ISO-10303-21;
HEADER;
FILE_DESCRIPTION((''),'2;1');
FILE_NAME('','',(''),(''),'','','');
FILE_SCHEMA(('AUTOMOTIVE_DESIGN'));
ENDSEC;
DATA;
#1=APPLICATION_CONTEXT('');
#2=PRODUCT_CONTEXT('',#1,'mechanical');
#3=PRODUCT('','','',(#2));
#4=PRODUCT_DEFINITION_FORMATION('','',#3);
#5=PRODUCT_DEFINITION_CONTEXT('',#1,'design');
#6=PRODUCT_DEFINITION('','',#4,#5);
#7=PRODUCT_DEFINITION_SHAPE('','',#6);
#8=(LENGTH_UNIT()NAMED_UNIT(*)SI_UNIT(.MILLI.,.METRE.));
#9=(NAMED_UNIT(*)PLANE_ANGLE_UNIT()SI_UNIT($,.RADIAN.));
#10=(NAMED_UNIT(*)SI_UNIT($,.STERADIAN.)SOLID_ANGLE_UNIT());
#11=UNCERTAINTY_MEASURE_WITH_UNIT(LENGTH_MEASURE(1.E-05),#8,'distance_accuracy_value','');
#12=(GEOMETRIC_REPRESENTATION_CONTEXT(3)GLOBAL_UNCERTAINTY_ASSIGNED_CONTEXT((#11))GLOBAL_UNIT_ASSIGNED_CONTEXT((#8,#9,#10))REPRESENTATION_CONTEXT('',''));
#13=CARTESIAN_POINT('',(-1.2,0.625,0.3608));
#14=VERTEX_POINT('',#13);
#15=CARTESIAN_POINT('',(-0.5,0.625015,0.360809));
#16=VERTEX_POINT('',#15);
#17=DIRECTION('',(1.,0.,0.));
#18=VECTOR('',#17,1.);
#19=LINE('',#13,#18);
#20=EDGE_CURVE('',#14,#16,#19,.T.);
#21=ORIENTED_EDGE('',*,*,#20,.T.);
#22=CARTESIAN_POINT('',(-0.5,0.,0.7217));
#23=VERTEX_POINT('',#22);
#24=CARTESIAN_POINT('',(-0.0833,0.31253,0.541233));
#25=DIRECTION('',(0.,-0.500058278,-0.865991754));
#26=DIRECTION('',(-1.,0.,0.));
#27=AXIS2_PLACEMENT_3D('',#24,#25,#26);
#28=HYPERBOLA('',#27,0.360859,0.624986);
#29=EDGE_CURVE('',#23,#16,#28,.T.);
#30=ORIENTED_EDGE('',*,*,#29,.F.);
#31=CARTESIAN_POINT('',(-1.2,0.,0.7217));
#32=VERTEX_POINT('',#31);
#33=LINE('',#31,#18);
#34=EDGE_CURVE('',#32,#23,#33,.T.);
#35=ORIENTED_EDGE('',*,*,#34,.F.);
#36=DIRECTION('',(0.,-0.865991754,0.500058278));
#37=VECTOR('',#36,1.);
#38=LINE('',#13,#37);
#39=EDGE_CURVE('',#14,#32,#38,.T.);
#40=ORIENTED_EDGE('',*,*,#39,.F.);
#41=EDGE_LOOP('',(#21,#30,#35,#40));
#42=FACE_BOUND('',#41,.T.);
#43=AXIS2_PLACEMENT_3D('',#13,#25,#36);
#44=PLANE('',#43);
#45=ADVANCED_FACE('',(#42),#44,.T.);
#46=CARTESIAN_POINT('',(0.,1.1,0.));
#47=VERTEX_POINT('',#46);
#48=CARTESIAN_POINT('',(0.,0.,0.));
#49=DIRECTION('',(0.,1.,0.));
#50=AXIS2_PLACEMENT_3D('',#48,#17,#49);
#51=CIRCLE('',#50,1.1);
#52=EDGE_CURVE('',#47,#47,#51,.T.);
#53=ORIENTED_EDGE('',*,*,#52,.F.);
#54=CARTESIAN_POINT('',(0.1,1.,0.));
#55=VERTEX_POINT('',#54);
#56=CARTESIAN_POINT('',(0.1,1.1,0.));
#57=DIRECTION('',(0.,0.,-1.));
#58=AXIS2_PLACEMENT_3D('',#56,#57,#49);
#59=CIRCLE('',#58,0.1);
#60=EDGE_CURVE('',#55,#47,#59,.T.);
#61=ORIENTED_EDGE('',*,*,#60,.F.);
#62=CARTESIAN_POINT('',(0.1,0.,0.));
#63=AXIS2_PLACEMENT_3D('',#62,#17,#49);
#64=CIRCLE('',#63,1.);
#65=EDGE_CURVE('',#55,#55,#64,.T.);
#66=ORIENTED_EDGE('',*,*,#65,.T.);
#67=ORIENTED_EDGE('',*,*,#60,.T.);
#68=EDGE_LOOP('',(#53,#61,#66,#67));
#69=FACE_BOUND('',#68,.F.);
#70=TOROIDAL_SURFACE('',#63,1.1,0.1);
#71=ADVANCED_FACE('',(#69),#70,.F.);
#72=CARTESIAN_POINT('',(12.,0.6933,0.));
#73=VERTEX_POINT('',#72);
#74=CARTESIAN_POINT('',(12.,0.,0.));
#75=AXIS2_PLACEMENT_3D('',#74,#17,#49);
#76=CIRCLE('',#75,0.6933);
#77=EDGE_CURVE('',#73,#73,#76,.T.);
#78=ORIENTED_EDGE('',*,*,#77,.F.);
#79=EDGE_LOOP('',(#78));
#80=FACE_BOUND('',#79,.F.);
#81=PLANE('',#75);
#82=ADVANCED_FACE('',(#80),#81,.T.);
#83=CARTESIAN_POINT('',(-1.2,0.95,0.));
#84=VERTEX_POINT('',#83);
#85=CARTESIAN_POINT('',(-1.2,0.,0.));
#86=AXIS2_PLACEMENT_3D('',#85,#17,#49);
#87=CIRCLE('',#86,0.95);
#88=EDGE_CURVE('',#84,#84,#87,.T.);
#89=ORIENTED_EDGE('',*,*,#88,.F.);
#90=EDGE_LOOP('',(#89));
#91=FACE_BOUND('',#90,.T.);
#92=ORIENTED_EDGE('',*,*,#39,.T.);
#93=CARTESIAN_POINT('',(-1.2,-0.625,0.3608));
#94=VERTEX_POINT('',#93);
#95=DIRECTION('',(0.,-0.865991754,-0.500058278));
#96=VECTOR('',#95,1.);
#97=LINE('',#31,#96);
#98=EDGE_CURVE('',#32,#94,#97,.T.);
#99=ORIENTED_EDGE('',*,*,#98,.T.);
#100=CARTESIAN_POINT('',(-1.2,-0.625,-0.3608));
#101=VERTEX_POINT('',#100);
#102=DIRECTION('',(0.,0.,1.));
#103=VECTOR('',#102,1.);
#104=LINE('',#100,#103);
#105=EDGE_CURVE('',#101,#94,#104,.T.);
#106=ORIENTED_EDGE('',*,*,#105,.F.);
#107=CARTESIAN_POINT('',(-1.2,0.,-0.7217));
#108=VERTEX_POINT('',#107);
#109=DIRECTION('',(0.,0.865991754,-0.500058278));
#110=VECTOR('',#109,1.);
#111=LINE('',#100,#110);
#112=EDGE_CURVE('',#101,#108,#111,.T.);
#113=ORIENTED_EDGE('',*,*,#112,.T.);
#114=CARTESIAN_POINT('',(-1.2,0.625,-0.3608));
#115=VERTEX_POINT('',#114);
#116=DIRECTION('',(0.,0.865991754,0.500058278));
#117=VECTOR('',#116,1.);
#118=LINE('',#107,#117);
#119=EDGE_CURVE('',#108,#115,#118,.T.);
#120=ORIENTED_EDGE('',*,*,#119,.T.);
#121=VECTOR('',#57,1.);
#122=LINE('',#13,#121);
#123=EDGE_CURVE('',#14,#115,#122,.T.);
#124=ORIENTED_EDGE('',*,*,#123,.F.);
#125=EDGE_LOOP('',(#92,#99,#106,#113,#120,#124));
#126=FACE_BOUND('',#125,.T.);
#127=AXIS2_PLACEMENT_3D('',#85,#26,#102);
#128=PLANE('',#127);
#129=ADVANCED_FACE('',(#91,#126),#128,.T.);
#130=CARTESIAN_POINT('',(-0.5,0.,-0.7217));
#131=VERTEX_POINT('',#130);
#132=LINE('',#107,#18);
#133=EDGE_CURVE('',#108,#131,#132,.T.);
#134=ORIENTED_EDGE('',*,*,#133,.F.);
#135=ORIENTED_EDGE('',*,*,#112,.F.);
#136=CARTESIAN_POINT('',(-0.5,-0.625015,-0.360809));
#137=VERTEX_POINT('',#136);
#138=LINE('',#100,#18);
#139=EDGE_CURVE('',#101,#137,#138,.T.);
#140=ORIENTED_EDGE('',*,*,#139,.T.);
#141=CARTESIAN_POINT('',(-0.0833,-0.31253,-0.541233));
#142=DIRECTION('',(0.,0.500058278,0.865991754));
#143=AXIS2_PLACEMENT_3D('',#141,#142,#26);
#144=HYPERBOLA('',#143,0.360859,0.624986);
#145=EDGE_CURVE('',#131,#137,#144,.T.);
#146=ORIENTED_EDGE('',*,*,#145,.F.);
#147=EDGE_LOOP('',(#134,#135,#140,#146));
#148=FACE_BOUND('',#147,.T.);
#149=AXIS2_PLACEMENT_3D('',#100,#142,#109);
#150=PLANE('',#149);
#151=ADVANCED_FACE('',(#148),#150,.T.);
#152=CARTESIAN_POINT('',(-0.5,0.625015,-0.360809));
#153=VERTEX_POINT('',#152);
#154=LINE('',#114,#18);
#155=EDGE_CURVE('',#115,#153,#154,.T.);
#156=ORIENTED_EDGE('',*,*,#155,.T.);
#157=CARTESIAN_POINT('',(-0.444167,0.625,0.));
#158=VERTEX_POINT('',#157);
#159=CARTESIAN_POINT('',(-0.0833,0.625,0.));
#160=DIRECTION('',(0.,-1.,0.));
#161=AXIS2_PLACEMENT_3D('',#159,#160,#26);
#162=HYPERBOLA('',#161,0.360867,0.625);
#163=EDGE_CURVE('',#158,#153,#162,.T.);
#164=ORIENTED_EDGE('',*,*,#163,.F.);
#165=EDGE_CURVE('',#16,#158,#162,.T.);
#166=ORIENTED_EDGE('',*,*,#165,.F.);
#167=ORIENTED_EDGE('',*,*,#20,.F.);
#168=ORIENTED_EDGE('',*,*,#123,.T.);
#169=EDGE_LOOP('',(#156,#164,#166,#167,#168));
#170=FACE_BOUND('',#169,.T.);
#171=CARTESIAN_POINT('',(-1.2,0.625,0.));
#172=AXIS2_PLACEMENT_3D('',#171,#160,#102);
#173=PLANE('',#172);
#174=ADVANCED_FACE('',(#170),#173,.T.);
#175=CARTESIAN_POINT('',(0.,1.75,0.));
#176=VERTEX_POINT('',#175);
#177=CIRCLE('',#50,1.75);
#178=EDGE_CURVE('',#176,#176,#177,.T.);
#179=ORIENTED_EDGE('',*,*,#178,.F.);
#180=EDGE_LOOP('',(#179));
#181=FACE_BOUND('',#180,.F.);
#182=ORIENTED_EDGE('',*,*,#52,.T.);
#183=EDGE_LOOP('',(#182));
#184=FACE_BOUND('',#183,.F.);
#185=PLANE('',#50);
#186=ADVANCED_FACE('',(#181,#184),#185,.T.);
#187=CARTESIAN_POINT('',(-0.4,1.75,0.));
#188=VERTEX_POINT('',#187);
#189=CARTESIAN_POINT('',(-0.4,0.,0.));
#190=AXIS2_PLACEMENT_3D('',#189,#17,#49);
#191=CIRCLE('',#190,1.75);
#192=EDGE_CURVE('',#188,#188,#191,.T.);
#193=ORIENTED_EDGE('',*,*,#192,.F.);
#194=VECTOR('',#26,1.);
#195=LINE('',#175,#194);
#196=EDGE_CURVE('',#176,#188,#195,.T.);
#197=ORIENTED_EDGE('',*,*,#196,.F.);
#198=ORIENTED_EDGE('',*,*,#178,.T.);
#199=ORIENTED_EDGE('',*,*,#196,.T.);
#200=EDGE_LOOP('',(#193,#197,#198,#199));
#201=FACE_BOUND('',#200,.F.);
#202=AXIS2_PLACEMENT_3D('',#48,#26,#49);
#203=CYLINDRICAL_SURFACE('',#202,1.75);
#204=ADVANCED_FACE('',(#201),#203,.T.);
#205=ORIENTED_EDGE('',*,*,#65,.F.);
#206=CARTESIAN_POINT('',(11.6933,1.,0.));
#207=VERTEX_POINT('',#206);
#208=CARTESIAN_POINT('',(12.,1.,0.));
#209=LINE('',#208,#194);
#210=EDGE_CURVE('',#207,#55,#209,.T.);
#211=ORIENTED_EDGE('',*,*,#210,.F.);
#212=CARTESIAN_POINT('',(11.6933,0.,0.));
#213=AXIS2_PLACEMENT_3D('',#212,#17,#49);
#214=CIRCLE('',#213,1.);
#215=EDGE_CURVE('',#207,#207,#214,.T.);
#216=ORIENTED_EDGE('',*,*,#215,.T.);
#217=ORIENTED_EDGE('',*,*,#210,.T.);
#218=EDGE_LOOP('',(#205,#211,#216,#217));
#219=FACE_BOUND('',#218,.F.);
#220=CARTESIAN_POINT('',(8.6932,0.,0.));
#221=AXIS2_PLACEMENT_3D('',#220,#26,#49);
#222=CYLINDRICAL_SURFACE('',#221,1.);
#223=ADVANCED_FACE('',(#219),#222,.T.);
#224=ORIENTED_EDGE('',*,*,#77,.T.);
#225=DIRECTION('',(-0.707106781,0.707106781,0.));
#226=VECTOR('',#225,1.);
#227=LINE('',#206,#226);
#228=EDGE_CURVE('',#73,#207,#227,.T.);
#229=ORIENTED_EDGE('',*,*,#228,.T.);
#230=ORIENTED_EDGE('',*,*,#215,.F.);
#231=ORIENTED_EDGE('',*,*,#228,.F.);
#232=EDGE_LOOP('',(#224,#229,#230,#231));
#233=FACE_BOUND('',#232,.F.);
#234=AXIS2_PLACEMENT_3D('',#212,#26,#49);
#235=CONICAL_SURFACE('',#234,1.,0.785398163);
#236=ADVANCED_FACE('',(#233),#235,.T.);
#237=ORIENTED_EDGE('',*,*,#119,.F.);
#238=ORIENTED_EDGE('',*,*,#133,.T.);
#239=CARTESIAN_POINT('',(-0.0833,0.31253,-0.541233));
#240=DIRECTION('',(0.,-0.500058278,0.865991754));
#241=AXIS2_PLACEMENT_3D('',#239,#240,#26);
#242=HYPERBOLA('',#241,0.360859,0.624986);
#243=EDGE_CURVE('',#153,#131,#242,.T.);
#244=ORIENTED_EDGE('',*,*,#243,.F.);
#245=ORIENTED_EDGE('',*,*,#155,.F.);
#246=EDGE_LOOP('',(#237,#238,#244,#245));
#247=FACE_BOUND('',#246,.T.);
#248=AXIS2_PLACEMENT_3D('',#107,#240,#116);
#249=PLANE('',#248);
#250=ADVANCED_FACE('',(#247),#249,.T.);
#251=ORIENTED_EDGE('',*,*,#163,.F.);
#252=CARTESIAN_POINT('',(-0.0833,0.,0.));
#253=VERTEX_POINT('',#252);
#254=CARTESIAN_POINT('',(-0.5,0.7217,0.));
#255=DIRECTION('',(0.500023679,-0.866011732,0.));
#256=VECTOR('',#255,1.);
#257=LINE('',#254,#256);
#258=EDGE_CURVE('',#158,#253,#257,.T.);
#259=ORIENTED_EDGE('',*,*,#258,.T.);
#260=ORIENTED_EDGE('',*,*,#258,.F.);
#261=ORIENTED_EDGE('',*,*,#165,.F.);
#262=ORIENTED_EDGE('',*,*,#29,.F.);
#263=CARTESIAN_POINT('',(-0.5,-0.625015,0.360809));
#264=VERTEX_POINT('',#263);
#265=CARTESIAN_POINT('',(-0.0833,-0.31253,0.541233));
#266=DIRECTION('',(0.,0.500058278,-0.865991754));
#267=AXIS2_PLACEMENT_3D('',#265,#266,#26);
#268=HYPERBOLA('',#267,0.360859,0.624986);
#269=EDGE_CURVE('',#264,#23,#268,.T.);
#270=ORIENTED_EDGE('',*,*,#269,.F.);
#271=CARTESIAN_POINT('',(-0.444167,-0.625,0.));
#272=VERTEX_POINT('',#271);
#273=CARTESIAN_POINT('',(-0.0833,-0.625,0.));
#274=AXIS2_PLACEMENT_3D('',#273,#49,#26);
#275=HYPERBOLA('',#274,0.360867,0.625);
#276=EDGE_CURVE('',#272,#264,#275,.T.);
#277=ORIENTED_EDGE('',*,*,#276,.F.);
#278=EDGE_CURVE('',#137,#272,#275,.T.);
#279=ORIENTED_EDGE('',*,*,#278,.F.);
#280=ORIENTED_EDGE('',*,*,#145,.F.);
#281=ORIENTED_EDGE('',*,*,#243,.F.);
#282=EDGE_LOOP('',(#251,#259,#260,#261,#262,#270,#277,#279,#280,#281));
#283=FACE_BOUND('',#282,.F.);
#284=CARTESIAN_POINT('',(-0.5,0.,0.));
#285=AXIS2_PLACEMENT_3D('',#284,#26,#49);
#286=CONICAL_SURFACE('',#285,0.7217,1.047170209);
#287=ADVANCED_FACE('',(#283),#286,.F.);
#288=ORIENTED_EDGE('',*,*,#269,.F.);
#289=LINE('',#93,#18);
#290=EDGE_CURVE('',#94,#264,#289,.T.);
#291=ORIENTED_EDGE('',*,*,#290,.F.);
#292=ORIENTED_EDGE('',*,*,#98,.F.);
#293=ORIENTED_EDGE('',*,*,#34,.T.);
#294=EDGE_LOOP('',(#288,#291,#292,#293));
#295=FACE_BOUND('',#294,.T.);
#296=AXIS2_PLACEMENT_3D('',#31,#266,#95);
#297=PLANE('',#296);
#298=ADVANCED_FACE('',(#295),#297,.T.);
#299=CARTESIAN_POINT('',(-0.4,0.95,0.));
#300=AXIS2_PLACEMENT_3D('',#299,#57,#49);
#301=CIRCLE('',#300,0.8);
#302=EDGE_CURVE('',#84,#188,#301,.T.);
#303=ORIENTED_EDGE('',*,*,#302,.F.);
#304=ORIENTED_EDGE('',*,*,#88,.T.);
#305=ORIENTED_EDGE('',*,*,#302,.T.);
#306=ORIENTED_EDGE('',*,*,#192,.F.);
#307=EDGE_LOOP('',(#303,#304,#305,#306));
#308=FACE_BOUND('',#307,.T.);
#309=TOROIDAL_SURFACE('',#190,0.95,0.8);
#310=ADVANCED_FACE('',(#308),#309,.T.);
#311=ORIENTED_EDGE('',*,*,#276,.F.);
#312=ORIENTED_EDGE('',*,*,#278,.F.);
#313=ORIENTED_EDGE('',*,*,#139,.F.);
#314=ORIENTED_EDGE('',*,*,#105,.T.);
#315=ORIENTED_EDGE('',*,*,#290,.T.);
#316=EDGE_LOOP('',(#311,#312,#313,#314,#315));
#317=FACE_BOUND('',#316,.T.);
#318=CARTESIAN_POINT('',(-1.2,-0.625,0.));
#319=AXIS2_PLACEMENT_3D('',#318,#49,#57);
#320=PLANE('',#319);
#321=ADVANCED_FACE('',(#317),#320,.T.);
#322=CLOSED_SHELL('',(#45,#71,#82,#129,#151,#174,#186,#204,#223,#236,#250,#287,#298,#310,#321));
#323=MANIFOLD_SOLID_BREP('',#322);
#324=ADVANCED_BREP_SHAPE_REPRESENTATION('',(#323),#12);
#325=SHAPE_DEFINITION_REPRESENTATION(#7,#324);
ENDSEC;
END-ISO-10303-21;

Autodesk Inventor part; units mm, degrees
ref_plane "YZ Plane" through (0, 0, 0) normal (1, 0, 0) x (0, 1, 0)
ref_plane "XZ Plane" through (0, 0, 0) normal (0, 1, 0) x (-1, 0, 0)
sketch "Sketch1" plane through (0, 0, 0) normal (0, 0, 1) x (1, 0, 0)
  line L0 (-0.0833, 0) -> (12, 0)
  line L1 (12, 0) -> (12, 1)
  line L2 (12, 1) -> (9, 1)
  line L3 (9, 1) -> (8.6932, 1)
  line L4 (8.6932, 1) -> (0, 1)
  line L5 (0, 1) -> (0, 1.75)
  line L6 (0, 1.75) -> (-1.2, 1.75)
  line L7 (-1.2, 1.75) -> (-1.2, 0.7217)
  line L8 (-1.2, 0.7217) -> (-0.5, 0.7217)
  line L9 (-0.5, 0.7217) -> (-0.0833, 0)
  line L10 (-3.84, 0) -> (14.64, 0) projected
  line L11 (0, -0.35) -> (0, 2.1) projected
  line L12 (9, 1) -> (0, 1) construction
  dimension "d1" = 3
  dimension "d2" = 0.3068
  dimension "d3" = 1.2
  dimension "d4" = 0.7
  dimension "d5" = 60
  dimension "d6" = 2
  dimension "d7" = 2
  dimension "d8" = 1.4434
  dimension "d9" = 3.5
  dimension "d26" = 12
revolve "Body" add sketch "Sketch1" angle 360 about axis through (-0.0833, 0, 0) along (1, 0, 0)
sketch "Sketch2" plane through (-1.2, 0, 0) normal (-1, 0, 0) x (0, 0, 1)
  circle A0 centre (0, 0) radius 0.7217 projected
  line L0 (0, -2.45) -> (0, 2.45) projected
  line L1 (-2.45, 0) -> (2.45, 0) projected
  line L2 (0.7217, 0) -> (0.3608, -0.625)
  line L3 (0.3608, -0.625) -> (-0.3608, -0.625)
  line L4 (-0.3608, -0.625) -> (-0.7217, 0)
  line L5 (-0.7217, 0) -> (-0.3608, 0.625)
  line L6 (-0.3608, 0.625) -> (0.3608, 0.625)
  line L7 (0.3608, 0.625) -> (0.7217, 0)
extrude "Slot" add sketch "Sketch2" against normal up to next contours L7 A0 | A0 L2 | L6 L0 A0 | A0 L0 L3 | L0 L6 A0 | A0 L3 L0 | L4 A0 | A0 L5
fillet "Fillet1" radius 0.8 1 edges at (-1.2, -1.75, 0)
chamfer "Chamfer1" distance 0.3067 distance2 0.3067 1 edges at (12, -1, 0) measured on face at (12, -0.02, -0.3842)
ref_plane "Work Plane1" through (29, 0, 0) normal (0, -1, 0) x (1, 0, 0)
fillet "Fillet2" radius 0.1 1 edges at (0, -1, 0)
thread "Thread2" size "M2x0.4" class "6g" standard "ANSI Metric M Profile" full length
equation "\"d15\" = -0.5 * SPD + 0.5 * GD"
equation "\"d16\" = GUL"
equation "\"GD\" = NND"
equation "\"NLG\" = 6"
equation "\"GEL\" = 4.5"
equation "\"KOD\" = 5.7"
equation "\"KOH\" = 1.65"
equation "\"INTI\" = 1.04"
equation "\"GAL\" = 0.61345 * PTC"
equation "\"GUL\" = 0.61345 * PTC"
equation "\"BDM\" = NND"
equation "\"SW\" = 2"
equation "\"RR\" = 1.45"
equation "\"SPD\" = NND - 1.2269 * PTC"
equation "\"R\" = 0.3"
equation "\"TOA\" = 30deg"
equation "\"GD1\" = THREADDIA - 1.2269 * PTC"
equation "\"THREADDIA\" = 3"
equation "\"PTC\" = 0.5"
equation "\"NND\" = 3"
equation "\"KOH1\" = 0.2"
equation "\"E0\" = 2.303"
properties part number "M2x10 Bolt" material "Stainless Steel"
